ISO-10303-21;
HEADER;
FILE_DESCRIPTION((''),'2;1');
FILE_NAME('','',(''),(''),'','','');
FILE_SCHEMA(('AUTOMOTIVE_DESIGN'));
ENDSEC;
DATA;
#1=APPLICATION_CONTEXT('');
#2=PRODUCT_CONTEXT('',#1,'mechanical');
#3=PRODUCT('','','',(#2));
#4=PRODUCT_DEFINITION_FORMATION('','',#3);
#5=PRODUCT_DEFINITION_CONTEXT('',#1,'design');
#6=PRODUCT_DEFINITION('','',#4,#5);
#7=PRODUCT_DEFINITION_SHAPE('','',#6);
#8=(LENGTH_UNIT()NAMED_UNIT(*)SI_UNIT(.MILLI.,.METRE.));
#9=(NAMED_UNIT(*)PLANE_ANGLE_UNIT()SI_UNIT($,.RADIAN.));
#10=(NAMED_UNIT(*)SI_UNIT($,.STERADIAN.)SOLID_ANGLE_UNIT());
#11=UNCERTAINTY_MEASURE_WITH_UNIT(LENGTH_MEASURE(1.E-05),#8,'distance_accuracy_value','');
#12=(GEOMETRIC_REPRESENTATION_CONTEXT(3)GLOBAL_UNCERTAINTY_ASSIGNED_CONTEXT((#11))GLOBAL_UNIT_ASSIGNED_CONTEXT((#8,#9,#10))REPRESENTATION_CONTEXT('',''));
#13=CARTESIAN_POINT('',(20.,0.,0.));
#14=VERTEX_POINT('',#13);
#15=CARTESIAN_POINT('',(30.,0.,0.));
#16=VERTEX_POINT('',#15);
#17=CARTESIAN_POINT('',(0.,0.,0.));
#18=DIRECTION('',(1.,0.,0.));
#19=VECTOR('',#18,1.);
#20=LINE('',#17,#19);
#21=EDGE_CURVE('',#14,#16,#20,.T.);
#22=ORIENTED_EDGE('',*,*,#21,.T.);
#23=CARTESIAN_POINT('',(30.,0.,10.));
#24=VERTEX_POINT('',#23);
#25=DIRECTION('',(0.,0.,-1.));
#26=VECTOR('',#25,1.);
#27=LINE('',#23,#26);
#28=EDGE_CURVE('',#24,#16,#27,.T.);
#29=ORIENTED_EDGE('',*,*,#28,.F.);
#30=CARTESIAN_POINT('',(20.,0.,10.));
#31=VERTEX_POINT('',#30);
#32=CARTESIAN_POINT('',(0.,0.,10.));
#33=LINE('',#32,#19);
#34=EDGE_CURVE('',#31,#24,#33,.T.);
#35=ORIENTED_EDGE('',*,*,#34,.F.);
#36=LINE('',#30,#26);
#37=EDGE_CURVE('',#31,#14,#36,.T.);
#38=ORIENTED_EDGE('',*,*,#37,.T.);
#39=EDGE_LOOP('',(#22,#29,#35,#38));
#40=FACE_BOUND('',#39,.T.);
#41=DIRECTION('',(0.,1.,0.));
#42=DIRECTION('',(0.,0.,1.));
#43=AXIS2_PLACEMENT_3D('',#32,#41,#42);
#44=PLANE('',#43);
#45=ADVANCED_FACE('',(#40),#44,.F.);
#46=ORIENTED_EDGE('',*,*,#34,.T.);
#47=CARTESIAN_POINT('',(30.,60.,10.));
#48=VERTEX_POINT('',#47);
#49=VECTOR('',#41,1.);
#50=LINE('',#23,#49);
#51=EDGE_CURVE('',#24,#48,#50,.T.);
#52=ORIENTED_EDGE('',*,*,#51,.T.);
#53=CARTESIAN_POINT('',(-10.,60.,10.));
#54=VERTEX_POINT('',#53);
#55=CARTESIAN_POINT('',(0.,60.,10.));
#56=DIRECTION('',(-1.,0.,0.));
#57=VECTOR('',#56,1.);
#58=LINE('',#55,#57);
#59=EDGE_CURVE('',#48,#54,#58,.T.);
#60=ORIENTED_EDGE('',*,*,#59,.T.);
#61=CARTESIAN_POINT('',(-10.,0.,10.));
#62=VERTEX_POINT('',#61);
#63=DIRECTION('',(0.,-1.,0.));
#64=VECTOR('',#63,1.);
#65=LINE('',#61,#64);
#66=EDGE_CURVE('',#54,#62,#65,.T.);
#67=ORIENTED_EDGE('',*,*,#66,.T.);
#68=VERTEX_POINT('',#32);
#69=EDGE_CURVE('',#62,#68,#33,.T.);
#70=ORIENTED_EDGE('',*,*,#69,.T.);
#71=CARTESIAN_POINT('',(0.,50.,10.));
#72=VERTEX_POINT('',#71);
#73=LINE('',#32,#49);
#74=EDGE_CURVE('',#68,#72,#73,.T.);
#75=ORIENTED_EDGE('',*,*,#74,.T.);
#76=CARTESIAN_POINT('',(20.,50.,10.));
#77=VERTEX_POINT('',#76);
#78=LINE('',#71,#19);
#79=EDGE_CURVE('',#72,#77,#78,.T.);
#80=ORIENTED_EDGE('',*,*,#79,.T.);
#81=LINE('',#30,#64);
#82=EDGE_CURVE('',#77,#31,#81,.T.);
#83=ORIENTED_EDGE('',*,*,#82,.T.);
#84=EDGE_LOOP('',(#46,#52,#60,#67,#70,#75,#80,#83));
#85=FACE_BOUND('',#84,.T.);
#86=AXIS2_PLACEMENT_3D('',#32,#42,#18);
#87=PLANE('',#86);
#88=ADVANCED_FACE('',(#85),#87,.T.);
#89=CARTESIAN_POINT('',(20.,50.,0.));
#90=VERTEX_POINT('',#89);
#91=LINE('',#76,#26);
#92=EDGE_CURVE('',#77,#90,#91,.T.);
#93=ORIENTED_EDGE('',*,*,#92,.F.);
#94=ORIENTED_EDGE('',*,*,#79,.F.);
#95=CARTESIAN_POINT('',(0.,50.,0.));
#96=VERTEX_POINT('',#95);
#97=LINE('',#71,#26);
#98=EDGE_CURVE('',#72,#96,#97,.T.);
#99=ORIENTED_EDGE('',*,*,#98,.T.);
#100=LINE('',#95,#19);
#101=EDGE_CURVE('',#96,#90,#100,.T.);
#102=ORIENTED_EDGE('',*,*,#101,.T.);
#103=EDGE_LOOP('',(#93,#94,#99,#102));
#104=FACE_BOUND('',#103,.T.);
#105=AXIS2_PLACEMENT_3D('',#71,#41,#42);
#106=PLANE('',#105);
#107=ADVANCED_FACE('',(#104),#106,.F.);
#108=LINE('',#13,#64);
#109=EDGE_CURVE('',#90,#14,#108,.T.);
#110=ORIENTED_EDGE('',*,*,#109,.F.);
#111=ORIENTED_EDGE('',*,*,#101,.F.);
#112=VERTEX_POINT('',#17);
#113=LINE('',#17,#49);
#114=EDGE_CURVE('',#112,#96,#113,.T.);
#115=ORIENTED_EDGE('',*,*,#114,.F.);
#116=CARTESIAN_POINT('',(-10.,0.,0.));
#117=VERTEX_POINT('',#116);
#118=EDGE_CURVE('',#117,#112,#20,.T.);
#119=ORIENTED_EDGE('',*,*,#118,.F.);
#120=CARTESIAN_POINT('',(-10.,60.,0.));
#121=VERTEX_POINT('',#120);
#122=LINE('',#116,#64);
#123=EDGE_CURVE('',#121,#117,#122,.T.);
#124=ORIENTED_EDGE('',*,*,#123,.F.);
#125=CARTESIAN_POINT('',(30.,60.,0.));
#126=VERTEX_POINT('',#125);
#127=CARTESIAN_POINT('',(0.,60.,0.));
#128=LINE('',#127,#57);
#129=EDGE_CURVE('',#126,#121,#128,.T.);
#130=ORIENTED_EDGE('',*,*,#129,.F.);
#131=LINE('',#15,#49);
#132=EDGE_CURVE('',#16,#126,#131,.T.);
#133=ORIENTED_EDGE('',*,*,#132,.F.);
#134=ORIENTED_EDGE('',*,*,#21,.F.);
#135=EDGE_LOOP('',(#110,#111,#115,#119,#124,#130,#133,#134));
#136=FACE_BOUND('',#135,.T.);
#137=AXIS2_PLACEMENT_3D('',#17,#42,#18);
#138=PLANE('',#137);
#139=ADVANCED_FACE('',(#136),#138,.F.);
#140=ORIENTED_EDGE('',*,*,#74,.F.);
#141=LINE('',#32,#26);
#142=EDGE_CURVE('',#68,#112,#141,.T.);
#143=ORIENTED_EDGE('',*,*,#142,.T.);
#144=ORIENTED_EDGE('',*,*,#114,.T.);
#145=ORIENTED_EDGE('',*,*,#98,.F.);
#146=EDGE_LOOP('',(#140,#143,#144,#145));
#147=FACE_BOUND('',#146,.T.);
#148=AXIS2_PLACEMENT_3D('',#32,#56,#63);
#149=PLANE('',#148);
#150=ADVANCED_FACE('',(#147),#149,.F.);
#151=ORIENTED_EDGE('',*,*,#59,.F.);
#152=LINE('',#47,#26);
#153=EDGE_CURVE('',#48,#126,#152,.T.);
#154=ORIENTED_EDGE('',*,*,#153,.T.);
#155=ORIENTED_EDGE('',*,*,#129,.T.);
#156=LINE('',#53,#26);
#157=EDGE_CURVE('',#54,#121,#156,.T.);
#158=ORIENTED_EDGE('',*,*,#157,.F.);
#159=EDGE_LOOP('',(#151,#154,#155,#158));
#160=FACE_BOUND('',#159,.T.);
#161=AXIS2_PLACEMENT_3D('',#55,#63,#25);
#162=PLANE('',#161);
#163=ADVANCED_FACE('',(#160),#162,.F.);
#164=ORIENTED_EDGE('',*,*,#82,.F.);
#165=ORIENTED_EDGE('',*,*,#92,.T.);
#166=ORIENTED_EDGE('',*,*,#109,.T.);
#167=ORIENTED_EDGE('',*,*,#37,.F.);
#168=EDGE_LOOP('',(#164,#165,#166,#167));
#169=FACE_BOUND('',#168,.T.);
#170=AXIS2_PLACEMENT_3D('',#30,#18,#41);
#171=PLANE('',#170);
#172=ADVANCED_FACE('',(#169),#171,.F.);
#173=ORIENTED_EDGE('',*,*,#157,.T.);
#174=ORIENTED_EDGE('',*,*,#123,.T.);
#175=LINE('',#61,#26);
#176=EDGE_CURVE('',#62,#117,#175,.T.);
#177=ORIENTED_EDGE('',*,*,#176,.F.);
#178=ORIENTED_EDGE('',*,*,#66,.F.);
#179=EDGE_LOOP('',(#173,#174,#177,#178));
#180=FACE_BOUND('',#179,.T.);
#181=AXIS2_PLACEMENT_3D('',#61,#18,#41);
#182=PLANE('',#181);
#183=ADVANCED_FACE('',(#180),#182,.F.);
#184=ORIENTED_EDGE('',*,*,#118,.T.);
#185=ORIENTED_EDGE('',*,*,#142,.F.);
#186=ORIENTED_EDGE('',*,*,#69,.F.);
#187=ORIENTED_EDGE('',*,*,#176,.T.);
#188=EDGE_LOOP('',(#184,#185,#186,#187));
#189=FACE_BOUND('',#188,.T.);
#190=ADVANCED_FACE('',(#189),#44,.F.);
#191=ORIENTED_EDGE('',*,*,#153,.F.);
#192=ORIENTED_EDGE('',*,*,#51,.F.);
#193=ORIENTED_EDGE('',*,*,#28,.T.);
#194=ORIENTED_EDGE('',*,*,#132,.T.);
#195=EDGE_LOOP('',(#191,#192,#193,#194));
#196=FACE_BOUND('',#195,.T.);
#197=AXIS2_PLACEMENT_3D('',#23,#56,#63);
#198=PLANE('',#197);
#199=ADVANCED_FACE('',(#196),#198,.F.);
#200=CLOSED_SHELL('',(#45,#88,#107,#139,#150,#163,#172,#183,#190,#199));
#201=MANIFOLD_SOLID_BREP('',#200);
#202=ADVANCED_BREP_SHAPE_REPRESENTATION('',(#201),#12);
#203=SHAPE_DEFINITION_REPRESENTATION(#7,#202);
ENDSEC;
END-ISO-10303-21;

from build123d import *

# Parameters (mm, degrees)
Y_KSEKLIK_EKSTR_ZYON1_DEPTH = 10


with BuildPart() as part:
    # Çizim1 → Yükseklik-Ekstrüzyon1 (new body)
    with BuildSketch(Plane.XY):
        Polygon((-10, 60), (-10, 0), (0, 0), (0, 50), (20, 50), (20, 0), (30, 0), (30, 60), align=None)
    extrude(amount=Y_KSEKLIK_EKSTR_ZYON1_DEPTH)


solid = part.part
